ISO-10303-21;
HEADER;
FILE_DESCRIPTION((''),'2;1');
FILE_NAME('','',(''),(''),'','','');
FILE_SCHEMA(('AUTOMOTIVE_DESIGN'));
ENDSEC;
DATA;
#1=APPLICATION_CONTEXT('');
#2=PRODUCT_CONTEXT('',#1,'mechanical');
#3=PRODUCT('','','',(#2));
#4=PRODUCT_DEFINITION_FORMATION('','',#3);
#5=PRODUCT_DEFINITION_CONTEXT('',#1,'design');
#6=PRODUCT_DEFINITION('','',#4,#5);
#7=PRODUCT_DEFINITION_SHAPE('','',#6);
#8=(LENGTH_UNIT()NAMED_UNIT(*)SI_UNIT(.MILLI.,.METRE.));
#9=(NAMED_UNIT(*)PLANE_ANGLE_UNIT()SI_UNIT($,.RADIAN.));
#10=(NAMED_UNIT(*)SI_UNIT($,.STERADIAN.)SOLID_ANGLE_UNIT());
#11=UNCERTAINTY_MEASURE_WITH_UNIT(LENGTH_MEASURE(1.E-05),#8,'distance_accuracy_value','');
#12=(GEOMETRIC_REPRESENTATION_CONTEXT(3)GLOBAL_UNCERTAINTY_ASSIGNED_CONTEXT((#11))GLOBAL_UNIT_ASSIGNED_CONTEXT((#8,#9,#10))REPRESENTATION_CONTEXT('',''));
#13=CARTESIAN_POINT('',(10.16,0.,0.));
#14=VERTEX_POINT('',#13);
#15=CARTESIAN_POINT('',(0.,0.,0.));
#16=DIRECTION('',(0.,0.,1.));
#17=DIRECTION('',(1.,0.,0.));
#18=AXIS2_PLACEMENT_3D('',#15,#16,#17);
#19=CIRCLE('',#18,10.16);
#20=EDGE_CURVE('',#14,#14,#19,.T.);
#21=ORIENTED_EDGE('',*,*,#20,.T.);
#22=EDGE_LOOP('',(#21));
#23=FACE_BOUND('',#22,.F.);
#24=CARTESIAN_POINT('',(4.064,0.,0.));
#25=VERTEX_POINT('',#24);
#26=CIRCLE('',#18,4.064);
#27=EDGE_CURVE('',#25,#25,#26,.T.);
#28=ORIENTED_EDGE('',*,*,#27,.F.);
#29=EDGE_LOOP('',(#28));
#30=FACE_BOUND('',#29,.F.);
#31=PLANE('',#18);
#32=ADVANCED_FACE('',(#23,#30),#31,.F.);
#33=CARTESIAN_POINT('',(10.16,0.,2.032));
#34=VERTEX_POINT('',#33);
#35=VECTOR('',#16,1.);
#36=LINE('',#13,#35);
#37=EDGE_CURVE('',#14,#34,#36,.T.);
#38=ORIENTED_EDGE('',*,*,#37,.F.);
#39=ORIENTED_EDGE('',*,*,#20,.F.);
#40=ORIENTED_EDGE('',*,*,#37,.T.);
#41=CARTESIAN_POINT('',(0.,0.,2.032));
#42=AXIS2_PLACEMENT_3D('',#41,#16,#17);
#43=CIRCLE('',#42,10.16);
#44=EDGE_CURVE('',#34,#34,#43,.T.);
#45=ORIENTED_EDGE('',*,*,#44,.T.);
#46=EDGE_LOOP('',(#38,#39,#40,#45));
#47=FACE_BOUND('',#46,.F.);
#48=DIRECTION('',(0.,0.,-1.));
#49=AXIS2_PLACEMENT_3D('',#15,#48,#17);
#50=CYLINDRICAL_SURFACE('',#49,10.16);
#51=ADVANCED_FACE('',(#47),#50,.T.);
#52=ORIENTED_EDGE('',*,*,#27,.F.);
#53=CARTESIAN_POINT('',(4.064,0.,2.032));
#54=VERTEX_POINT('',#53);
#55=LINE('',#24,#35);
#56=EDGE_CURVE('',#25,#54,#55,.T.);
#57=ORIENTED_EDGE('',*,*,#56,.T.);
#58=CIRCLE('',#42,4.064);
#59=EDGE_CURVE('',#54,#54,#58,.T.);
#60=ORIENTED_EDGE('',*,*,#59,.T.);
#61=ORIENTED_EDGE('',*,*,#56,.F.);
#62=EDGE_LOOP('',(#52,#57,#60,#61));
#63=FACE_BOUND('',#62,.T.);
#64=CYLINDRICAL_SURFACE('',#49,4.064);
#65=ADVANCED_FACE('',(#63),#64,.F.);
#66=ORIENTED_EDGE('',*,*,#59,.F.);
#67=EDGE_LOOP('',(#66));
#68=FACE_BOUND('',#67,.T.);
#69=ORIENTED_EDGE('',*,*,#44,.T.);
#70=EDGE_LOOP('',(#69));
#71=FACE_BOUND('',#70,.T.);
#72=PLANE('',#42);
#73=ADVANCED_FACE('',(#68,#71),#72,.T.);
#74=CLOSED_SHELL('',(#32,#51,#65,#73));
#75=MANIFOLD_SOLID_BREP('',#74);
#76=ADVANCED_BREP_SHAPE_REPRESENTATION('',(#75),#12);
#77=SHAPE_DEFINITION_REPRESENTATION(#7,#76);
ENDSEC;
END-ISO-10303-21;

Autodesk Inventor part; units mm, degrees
ref_plane "YZ Plane" through (0, 0, 0) normal (1, 0, 0) x (0, 1, 0)
ref_plane "XZ Plane" through (0, 0, 0) normal (0, 1, 0) x (-1, 0, 0)
ref_plane "XY Plane" through (0, 0, 0) normal (0, 0, 1) x (1, 0, 0)
sketch "Sketch1" plane through (0, 0, 0) normal (0, 0, 1) x (1, 0, 0)
  circle A0 centre (0, 0) radius 10.16
  circle A1 centre (0, 0) radius 4.064
  dimension "d0" = 20.32
  dimension "d1" = 8.128
extrude "Extrusion1" add sketch "Sketch1" along normal blind 2.032
properties part number "Small Washer" material "Stainless Steel"
